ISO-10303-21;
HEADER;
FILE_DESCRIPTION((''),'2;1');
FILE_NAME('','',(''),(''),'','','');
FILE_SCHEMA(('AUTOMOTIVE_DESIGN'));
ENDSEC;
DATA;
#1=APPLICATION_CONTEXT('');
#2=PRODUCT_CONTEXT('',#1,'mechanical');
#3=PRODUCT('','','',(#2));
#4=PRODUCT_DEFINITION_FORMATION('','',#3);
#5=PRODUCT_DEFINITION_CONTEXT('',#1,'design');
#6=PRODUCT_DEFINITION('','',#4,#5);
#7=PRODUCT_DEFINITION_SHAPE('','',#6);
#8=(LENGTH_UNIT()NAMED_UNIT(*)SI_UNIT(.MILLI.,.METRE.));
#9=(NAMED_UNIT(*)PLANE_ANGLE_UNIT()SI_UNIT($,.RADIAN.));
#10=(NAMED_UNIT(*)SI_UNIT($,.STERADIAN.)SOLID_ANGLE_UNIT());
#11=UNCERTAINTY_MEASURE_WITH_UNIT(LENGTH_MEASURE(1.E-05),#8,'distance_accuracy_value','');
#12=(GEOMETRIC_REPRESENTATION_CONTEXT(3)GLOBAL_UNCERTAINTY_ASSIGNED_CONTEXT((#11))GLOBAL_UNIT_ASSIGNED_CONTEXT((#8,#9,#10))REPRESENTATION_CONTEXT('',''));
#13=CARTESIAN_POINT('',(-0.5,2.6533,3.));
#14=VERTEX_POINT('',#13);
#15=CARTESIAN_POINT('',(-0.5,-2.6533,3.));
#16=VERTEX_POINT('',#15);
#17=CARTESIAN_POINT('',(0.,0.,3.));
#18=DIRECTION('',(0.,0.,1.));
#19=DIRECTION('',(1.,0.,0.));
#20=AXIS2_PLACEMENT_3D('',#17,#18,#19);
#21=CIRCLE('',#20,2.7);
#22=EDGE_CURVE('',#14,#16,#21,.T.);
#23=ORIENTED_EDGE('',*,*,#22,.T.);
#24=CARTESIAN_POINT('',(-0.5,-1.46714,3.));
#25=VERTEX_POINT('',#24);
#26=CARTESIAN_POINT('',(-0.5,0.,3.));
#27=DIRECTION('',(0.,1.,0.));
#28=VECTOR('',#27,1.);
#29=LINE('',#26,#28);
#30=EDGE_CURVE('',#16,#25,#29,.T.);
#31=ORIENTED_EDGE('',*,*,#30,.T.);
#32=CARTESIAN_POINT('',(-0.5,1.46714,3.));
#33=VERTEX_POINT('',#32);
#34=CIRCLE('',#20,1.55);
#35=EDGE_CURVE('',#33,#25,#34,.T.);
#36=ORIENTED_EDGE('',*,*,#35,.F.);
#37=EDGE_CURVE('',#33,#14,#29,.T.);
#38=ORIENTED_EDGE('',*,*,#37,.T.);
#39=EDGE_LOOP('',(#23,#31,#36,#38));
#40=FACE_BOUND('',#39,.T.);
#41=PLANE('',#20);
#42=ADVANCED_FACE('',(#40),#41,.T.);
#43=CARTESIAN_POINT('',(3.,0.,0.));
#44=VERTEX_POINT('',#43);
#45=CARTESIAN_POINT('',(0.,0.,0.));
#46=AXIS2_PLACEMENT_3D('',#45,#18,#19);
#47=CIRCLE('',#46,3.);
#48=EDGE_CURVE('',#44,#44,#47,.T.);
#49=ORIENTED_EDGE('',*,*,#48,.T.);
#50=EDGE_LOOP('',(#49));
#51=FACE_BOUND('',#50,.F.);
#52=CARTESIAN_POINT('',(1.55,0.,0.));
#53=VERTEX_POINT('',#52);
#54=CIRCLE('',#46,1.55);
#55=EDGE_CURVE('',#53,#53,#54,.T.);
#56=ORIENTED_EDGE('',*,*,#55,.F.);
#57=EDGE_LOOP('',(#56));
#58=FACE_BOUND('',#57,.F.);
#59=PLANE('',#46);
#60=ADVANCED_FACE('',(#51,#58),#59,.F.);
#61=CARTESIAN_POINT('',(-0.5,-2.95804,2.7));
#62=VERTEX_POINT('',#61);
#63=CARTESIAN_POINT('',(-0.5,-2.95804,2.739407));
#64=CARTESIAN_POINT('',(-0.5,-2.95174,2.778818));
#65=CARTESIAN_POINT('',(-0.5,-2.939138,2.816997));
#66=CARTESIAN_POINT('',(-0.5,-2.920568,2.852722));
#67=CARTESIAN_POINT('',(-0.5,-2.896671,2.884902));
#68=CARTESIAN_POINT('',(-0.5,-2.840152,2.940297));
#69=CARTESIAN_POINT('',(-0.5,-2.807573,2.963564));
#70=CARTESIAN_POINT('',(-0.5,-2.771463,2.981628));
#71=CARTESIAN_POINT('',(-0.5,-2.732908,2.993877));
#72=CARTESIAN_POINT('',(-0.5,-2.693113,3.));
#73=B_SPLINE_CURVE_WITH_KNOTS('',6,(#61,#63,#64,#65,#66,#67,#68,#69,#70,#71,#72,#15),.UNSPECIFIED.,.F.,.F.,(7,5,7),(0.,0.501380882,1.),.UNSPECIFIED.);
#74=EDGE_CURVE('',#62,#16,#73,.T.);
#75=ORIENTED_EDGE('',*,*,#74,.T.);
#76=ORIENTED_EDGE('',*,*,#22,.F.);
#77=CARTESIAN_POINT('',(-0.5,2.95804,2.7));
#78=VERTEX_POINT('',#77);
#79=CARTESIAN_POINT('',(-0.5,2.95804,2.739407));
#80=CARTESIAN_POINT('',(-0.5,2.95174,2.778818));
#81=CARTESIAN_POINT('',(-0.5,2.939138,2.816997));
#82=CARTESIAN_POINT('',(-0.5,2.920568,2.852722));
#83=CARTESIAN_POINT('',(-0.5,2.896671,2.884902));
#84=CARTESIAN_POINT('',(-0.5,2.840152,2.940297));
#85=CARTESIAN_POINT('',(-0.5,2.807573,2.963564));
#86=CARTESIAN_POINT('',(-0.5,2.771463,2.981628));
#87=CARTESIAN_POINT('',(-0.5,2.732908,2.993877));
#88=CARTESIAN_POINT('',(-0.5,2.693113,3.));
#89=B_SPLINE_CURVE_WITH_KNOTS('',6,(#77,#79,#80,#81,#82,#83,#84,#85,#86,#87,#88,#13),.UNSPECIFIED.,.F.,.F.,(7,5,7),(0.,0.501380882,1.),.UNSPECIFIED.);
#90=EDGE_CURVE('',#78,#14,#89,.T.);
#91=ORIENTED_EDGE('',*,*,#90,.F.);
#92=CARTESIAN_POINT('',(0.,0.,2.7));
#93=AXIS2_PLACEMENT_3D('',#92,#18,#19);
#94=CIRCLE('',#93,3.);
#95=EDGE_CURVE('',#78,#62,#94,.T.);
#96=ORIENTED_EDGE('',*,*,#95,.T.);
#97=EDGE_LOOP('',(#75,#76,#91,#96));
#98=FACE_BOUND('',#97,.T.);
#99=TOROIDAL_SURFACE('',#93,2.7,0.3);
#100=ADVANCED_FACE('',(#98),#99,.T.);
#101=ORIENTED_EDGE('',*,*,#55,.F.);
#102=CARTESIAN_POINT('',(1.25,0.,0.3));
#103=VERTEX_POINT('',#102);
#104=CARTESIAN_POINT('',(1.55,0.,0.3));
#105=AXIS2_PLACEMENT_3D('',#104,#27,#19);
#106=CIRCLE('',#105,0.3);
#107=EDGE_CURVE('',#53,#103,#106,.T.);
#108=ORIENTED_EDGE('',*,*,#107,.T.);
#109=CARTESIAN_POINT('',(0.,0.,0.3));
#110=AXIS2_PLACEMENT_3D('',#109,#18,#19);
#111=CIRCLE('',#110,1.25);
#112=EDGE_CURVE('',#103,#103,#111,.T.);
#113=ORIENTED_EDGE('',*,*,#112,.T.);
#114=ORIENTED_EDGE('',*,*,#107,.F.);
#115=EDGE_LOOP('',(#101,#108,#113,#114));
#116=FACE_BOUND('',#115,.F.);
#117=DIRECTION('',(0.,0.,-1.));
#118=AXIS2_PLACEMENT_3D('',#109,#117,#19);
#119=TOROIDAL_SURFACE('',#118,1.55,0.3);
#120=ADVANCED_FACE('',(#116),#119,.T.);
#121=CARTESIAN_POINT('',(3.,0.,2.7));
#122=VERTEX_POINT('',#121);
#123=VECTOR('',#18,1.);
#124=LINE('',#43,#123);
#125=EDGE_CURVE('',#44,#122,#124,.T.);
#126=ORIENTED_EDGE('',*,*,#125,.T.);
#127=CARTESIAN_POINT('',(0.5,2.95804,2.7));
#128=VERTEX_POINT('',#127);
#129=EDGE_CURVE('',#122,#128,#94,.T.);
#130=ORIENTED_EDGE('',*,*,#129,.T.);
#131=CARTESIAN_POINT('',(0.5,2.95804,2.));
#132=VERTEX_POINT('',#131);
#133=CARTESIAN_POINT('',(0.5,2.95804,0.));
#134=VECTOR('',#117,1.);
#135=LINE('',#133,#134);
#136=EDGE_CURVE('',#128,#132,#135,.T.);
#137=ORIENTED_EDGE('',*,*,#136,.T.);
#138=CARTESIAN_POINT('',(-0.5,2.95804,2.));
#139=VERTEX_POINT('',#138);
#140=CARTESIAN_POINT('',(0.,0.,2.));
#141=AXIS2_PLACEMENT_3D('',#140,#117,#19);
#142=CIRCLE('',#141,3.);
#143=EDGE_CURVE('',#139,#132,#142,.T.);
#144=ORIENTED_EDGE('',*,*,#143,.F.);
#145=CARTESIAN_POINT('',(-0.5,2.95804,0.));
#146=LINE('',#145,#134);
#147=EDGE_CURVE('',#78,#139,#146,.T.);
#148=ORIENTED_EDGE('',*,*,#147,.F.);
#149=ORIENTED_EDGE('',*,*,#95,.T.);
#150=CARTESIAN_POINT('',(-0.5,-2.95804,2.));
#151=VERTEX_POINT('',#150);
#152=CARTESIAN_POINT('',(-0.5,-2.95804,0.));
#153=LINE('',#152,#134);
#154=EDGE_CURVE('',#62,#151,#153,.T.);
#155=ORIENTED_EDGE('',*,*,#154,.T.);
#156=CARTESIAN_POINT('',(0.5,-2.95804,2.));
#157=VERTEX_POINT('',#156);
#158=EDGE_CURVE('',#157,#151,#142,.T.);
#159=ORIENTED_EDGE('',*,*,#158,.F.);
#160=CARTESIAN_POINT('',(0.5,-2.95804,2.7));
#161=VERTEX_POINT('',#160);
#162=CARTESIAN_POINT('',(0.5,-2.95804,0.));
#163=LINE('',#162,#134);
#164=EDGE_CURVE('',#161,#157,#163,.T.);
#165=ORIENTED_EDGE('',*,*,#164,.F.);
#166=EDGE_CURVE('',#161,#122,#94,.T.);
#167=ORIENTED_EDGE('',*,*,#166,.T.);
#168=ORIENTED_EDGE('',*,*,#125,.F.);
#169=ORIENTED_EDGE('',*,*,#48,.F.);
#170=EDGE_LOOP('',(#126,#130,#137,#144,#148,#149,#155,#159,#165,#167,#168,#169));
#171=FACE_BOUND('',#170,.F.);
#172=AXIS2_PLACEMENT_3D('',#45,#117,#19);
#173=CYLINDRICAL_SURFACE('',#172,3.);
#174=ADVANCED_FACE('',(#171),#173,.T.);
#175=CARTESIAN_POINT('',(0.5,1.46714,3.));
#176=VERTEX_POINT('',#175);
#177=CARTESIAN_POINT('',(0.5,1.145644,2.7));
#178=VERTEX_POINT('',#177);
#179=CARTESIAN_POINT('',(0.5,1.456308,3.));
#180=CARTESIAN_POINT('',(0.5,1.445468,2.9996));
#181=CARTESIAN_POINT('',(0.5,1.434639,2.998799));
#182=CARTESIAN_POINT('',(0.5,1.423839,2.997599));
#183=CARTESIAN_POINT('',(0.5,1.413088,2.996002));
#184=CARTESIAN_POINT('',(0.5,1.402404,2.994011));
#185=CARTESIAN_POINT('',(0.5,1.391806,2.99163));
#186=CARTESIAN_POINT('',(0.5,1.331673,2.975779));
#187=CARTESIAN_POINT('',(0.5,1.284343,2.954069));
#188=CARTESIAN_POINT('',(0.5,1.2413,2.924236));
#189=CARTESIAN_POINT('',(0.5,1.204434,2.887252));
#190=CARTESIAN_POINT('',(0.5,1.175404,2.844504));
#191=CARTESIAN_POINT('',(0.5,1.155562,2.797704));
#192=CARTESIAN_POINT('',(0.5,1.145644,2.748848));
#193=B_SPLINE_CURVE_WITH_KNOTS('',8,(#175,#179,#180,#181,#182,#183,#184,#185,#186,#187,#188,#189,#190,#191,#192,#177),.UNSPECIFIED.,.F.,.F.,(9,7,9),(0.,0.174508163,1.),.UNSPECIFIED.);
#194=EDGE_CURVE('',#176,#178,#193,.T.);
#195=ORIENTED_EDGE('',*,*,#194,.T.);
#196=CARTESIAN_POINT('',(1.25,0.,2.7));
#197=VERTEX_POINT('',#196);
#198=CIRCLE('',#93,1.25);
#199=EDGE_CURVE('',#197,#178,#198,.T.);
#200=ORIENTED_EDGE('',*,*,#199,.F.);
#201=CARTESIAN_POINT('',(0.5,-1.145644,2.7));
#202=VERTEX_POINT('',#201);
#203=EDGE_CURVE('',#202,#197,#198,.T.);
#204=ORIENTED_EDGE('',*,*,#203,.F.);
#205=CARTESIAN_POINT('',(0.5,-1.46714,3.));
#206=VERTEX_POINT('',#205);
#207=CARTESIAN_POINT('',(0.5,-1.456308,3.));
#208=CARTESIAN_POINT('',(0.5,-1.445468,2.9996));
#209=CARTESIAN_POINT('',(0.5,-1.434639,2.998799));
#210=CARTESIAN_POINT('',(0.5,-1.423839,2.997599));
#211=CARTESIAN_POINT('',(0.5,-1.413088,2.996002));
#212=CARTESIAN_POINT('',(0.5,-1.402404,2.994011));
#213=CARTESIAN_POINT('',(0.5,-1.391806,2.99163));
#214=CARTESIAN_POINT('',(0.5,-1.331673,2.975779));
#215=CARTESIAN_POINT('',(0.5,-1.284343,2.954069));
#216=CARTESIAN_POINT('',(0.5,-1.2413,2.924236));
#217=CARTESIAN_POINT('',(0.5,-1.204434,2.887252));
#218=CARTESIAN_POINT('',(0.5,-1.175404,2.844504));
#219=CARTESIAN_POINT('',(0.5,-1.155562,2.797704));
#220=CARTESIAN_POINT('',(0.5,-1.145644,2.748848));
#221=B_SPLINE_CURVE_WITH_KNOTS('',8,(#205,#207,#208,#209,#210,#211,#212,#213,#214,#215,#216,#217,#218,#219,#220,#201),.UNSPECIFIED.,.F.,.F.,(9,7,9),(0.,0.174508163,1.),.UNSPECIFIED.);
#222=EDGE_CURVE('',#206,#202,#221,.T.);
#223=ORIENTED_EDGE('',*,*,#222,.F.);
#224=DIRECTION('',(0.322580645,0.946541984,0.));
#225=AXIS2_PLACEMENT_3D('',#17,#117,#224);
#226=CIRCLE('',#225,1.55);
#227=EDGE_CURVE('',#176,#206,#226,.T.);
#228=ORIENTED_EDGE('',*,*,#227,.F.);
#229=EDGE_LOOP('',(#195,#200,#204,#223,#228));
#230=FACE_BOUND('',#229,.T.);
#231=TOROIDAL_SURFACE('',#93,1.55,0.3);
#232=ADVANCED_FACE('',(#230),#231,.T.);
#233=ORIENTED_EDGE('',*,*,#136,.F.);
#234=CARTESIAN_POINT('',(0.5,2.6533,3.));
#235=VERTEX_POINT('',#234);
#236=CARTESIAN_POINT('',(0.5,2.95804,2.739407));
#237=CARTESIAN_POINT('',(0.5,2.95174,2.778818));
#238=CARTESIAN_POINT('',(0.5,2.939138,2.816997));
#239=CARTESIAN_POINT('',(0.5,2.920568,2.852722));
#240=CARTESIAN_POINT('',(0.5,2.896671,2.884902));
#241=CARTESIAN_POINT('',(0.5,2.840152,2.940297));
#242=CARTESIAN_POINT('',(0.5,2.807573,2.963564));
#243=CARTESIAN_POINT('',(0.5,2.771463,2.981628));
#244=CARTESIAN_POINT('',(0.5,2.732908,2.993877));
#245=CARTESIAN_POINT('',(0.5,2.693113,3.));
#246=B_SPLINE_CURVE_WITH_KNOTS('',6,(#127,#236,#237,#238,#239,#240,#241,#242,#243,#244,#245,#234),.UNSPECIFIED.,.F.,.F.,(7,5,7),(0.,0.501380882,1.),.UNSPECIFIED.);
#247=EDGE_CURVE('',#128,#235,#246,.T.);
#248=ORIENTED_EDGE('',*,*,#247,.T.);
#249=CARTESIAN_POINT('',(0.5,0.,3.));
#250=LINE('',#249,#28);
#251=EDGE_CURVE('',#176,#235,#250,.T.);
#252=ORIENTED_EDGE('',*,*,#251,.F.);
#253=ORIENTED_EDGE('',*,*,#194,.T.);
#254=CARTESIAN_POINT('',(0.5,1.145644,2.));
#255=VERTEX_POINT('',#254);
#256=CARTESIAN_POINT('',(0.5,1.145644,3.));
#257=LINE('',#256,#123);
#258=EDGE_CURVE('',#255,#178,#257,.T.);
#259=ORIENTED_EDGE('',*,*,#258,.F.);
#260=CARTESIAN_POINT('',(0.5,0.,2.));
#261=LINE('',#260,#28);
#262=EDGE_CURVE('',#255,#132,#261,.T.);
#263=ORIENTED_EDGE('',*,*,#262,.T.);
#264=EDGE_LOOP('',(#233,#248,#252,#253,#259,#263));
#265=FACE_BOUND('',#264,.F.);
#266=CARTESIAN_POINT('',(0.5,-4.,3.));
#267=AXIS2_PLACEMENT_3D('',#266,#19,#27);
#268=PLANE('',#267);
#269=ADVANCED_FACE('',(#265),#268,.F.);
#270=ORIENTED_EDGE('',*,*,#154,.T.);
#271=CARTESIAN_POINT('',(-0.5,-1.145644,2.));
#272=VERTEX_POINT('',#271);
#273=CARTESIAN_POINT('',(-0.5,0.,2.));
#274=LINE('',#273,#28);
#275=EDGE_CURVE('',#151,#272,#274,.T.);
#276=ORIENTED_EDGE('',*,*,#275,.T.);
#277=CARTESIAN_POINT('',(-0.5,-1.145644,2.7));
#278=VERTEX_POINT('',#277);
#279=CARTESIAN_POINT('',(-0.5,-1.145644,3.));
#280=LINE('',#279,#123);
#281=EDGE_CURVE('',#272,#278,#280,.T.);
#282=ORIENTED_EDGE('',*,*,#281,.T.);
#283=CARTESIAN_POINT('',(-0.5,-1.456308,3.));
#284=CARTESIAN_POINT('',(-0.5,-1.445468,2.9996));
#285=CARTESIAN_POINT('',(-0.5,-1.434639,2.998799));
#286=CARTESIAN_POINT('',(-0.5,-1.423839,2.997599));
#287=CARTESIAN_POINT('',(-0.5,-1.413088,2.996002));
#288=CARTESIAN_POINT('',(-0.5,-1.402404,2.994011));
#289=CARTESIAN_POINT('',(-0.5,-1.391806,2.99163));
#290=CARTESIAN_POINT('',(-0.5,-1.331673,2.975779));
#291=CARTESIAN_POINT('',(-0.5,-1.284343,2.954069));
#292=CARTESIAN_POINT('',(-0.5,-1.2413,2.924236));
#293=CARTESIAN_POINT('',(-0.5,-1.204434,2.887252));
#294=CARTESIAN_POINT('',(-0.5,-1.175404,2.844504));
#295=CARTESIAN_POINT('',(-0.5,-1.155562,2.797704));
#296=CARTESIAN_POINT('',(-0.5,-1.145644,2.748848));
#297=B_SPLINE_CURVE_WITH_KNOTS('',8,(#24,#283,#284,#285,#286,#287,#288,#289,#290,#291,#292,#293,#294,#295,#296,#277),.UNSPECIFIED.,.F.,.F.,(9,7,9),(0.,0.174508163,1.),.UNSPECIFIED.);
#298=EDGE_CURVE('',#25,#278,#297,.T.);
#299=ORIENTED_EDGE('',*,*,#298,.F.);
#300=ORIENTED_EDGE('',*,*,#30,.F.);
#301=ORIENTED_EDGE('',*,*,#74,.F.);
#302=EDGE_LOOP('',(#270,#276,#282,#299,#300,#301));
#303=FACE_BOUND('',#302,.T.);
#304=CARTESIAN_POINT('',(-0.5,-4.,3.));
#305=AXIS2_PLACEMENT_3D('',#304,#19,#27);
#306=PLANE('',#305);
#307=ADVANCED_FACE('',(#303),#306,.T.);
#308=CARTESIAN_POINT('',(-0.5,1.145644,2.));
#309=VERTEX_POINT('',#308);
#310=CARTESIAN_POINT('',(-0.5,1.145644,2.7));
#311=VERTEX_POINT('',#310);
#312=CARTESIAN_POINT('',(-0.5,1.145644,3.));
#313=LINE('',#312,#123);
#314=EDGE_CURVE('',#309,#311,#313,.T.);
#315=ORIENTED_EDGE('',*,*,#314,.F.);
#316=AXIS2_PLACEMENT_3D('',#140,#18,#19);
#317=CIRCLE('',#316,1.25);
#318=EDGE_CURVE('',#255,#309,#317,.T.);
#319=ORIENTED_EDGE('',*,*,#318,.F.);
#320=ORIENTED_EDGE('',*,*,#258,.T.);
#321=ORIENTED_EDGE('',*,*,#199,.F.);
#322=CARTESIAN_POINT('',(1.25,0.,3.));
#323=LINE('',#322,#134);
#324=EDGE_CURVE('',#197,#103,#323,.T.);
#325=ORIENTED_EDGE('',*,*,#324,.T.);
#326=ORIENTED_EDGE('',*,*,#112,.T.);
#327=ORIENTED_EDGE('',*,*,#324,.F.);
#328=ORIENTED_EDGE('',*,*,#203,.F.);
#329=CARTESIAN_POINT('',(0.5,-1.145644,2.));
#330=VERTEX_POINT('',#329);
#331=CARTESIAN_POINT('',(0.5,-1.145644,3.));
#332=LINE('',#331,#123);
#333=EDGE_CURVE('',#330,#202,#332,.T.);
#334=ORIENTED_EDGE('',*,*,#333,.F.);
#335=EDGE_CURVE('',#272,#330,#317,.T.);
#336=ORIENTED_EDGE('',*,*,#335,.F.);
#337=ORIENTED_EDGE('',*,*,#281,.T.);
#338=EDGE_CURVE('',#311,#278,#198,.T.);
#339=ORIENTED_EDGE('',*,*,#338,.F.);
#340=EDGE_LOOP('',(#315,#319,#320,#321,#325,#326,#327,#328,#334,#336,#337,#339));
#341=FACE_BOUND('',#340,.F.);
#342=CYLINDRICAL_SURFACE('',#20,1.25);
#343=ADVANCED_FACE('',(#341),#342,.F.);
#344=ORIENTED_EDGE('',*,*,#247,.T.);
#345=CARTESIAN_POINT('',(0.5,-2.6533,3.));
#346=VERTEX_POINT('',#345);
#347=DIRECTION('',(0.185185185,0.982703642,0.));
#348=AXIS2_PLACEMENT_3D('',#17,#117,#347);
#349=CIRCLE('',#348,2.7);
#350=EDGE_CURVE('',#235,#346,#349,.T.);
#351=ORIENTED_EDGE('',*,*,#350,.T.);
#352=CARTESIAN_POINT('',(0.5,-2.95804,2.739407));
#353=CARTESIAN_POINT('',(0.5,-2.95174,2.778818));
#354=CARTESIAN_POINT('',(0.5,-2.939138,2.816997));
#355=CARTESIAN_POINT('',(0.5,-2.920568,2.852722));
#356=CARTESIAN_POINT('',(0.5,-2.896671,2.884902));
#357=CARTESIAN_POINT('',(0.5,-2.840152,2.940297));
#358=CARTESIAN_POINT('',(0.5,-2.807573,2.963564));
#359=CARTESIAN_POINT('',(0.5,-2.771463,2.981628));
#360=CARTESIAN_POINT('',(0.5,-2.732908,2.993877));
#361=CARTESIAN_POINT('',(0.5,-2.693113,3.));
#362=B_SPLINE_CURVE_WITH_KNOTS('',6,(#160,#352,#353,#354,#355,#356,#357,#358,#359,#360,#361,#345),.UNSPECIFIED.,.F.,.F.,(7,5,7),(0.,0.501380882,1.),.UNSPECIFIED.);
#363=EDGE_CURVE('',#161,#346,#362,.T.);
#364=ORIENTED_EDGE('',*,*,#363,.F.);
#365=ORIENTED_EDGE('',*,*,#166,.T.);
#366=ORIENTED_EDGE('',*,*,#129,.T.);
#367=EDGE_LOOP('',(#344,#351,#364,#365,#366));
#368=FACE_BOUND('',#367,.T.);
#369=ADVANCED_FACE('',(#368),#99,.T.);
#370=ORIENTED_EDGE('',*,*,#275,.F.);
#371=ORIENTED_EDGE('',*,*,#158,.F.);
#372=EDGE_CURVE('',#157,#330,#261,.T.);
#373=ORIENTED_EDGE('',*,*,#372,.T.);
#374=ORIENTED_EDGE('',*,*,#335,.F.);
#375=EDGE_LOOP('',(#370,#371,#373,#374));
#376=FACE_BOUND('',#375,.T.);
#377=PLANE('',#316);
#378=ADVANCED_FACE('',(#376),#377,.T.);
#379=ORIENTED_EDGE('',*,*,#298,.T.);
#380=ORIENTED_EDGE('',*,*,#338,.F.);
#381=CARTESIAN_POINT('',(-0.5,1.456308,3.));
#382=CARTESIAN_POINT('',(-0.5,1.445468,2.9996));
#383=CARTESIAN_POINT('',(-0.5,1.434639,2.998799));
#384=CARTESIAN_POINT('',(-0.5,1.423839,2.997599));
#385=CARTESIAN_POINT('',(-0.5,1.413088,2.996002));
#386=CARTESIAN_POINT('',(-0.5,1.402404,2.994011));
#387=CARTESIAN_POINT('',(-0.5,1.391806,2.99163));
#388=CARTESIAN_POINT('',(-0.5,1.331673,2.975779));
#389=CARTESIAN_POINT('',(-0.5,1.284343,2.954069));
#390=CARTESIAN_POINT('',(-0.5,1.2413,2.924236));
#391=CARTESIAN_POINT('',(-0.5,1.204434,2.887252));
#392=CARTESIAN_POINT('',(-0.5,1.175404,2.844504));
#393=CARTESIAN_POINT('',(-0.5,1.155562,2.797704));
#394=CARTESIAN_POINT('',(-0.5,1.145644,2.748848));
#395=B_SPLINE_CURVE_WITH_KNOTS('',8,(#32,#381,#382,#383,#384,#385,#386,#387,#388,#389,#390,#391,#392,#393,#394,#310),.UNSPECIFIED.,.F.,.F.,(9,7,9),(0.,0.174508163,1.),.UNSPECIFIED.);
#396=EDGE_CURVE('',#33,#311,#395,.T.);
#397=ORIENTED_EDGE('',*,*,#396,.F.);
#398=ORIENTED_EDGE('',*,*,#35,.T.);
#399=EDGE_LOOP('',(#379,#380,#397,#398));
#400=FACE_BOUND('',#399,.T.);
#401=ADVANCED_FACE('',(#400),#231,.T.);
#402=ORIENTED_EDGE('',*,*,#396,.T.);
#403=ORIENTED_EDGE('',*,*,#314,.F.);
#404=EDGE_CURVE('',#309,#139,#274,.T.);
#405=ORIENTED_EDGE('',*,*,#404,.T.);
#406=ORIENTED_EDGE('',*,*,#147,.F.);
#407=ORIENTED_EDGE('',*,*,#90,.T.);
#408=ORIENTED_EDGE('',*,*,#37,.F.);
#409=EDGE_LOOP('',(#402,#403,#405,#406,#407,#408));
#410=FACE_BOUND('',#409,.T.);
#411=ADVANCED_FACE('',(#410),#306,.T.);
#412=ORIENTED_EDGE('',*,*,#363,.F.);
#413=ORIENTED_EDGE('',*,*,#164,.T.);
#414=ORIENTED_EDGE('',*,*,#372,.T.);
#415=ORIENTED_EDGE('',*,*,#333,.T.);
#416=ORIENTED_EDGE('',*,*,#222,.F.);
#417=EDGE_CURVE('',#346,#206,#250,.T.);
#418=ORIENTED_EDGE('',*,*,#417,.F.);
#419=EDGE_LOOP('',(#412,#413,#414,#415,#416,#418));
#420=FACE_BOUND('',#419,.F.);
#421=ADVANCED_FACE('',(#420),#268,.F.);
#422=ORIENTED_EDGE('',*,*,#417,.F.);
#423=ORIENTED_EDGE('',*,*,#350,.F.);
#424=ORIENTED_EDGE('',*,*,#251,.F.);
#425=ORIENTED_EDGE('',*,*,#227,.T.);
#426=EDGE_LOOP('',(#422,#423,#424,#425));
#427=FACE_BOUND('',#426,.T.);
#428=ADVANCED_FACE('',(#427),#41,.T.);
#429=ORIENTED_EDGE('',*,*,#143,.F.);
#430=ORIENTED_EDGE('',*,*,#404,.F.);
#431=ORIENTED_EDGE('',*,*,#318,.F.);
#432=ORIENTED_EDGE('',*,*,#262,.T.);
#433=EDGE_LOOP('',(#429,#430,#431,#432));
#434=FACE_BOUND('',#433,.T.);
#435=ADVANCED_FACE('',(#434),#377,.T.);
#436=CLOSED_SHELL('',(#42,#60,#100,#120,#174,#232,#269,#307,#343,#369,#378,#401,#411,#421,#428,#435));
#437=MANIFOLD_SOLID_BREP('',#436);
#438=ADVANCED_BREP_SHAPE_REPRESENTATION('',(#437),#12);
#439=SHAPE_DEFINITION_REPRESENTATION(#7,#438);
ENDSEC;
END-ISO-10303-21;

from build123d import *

# Parameters (mm, degrees)
SKETCH1_R           = 3
BOSS_EXTRUDE1_DEPTH = 3
SKETCH2_R           = 1.25
CUT_EXTRUDE1_DEPTH  = 6.196152423
FILLET1_R           = 0.3
SKETCH3_W           = 1
SKETCH3_H           = 8
CUT_EXTRUDE3_DEPTH  = 1


with BuildPart() as part:
    # Sketch1 → Boss-Extrude1 (new body)
    with BuildSketch(Plane.XY):
        Circle(SKETCH1_R)
    extrude(amount=BOSS_EXTRUDE1_DEPTH)

    # Sketch2 → Cut-Extrude1 (cut, through all)
    with BuildSketch(Plane.XY.offset(3)):
        Circle(SKETCH2_R)
    extrude(amount=-CUT_EXTRUDE1_DEPTH, mode=Mode.SUBTRACT)

    # Fillet1
    fillet1_edges = [part.edges().sort_by_distance(p)[0] for p in [
        (-3, 0, 3),
        (-1.25, 0, 0),
        (-1.25, 0, 3),
    ]]
    fillet(fillet1_edges, radius=FILLET1_R)

    # Sketch3 → Cut-Extrude3 (cut)
    with BuildSketch(Plane.XY.offset(3)):
        Rectangle(SKETCH3_W, SKETCH3_H)
    extrude(amount=-CUT_EXTRUDE3_DEPTH, mode=Mode.SUBTRACT)


solid = part.part
